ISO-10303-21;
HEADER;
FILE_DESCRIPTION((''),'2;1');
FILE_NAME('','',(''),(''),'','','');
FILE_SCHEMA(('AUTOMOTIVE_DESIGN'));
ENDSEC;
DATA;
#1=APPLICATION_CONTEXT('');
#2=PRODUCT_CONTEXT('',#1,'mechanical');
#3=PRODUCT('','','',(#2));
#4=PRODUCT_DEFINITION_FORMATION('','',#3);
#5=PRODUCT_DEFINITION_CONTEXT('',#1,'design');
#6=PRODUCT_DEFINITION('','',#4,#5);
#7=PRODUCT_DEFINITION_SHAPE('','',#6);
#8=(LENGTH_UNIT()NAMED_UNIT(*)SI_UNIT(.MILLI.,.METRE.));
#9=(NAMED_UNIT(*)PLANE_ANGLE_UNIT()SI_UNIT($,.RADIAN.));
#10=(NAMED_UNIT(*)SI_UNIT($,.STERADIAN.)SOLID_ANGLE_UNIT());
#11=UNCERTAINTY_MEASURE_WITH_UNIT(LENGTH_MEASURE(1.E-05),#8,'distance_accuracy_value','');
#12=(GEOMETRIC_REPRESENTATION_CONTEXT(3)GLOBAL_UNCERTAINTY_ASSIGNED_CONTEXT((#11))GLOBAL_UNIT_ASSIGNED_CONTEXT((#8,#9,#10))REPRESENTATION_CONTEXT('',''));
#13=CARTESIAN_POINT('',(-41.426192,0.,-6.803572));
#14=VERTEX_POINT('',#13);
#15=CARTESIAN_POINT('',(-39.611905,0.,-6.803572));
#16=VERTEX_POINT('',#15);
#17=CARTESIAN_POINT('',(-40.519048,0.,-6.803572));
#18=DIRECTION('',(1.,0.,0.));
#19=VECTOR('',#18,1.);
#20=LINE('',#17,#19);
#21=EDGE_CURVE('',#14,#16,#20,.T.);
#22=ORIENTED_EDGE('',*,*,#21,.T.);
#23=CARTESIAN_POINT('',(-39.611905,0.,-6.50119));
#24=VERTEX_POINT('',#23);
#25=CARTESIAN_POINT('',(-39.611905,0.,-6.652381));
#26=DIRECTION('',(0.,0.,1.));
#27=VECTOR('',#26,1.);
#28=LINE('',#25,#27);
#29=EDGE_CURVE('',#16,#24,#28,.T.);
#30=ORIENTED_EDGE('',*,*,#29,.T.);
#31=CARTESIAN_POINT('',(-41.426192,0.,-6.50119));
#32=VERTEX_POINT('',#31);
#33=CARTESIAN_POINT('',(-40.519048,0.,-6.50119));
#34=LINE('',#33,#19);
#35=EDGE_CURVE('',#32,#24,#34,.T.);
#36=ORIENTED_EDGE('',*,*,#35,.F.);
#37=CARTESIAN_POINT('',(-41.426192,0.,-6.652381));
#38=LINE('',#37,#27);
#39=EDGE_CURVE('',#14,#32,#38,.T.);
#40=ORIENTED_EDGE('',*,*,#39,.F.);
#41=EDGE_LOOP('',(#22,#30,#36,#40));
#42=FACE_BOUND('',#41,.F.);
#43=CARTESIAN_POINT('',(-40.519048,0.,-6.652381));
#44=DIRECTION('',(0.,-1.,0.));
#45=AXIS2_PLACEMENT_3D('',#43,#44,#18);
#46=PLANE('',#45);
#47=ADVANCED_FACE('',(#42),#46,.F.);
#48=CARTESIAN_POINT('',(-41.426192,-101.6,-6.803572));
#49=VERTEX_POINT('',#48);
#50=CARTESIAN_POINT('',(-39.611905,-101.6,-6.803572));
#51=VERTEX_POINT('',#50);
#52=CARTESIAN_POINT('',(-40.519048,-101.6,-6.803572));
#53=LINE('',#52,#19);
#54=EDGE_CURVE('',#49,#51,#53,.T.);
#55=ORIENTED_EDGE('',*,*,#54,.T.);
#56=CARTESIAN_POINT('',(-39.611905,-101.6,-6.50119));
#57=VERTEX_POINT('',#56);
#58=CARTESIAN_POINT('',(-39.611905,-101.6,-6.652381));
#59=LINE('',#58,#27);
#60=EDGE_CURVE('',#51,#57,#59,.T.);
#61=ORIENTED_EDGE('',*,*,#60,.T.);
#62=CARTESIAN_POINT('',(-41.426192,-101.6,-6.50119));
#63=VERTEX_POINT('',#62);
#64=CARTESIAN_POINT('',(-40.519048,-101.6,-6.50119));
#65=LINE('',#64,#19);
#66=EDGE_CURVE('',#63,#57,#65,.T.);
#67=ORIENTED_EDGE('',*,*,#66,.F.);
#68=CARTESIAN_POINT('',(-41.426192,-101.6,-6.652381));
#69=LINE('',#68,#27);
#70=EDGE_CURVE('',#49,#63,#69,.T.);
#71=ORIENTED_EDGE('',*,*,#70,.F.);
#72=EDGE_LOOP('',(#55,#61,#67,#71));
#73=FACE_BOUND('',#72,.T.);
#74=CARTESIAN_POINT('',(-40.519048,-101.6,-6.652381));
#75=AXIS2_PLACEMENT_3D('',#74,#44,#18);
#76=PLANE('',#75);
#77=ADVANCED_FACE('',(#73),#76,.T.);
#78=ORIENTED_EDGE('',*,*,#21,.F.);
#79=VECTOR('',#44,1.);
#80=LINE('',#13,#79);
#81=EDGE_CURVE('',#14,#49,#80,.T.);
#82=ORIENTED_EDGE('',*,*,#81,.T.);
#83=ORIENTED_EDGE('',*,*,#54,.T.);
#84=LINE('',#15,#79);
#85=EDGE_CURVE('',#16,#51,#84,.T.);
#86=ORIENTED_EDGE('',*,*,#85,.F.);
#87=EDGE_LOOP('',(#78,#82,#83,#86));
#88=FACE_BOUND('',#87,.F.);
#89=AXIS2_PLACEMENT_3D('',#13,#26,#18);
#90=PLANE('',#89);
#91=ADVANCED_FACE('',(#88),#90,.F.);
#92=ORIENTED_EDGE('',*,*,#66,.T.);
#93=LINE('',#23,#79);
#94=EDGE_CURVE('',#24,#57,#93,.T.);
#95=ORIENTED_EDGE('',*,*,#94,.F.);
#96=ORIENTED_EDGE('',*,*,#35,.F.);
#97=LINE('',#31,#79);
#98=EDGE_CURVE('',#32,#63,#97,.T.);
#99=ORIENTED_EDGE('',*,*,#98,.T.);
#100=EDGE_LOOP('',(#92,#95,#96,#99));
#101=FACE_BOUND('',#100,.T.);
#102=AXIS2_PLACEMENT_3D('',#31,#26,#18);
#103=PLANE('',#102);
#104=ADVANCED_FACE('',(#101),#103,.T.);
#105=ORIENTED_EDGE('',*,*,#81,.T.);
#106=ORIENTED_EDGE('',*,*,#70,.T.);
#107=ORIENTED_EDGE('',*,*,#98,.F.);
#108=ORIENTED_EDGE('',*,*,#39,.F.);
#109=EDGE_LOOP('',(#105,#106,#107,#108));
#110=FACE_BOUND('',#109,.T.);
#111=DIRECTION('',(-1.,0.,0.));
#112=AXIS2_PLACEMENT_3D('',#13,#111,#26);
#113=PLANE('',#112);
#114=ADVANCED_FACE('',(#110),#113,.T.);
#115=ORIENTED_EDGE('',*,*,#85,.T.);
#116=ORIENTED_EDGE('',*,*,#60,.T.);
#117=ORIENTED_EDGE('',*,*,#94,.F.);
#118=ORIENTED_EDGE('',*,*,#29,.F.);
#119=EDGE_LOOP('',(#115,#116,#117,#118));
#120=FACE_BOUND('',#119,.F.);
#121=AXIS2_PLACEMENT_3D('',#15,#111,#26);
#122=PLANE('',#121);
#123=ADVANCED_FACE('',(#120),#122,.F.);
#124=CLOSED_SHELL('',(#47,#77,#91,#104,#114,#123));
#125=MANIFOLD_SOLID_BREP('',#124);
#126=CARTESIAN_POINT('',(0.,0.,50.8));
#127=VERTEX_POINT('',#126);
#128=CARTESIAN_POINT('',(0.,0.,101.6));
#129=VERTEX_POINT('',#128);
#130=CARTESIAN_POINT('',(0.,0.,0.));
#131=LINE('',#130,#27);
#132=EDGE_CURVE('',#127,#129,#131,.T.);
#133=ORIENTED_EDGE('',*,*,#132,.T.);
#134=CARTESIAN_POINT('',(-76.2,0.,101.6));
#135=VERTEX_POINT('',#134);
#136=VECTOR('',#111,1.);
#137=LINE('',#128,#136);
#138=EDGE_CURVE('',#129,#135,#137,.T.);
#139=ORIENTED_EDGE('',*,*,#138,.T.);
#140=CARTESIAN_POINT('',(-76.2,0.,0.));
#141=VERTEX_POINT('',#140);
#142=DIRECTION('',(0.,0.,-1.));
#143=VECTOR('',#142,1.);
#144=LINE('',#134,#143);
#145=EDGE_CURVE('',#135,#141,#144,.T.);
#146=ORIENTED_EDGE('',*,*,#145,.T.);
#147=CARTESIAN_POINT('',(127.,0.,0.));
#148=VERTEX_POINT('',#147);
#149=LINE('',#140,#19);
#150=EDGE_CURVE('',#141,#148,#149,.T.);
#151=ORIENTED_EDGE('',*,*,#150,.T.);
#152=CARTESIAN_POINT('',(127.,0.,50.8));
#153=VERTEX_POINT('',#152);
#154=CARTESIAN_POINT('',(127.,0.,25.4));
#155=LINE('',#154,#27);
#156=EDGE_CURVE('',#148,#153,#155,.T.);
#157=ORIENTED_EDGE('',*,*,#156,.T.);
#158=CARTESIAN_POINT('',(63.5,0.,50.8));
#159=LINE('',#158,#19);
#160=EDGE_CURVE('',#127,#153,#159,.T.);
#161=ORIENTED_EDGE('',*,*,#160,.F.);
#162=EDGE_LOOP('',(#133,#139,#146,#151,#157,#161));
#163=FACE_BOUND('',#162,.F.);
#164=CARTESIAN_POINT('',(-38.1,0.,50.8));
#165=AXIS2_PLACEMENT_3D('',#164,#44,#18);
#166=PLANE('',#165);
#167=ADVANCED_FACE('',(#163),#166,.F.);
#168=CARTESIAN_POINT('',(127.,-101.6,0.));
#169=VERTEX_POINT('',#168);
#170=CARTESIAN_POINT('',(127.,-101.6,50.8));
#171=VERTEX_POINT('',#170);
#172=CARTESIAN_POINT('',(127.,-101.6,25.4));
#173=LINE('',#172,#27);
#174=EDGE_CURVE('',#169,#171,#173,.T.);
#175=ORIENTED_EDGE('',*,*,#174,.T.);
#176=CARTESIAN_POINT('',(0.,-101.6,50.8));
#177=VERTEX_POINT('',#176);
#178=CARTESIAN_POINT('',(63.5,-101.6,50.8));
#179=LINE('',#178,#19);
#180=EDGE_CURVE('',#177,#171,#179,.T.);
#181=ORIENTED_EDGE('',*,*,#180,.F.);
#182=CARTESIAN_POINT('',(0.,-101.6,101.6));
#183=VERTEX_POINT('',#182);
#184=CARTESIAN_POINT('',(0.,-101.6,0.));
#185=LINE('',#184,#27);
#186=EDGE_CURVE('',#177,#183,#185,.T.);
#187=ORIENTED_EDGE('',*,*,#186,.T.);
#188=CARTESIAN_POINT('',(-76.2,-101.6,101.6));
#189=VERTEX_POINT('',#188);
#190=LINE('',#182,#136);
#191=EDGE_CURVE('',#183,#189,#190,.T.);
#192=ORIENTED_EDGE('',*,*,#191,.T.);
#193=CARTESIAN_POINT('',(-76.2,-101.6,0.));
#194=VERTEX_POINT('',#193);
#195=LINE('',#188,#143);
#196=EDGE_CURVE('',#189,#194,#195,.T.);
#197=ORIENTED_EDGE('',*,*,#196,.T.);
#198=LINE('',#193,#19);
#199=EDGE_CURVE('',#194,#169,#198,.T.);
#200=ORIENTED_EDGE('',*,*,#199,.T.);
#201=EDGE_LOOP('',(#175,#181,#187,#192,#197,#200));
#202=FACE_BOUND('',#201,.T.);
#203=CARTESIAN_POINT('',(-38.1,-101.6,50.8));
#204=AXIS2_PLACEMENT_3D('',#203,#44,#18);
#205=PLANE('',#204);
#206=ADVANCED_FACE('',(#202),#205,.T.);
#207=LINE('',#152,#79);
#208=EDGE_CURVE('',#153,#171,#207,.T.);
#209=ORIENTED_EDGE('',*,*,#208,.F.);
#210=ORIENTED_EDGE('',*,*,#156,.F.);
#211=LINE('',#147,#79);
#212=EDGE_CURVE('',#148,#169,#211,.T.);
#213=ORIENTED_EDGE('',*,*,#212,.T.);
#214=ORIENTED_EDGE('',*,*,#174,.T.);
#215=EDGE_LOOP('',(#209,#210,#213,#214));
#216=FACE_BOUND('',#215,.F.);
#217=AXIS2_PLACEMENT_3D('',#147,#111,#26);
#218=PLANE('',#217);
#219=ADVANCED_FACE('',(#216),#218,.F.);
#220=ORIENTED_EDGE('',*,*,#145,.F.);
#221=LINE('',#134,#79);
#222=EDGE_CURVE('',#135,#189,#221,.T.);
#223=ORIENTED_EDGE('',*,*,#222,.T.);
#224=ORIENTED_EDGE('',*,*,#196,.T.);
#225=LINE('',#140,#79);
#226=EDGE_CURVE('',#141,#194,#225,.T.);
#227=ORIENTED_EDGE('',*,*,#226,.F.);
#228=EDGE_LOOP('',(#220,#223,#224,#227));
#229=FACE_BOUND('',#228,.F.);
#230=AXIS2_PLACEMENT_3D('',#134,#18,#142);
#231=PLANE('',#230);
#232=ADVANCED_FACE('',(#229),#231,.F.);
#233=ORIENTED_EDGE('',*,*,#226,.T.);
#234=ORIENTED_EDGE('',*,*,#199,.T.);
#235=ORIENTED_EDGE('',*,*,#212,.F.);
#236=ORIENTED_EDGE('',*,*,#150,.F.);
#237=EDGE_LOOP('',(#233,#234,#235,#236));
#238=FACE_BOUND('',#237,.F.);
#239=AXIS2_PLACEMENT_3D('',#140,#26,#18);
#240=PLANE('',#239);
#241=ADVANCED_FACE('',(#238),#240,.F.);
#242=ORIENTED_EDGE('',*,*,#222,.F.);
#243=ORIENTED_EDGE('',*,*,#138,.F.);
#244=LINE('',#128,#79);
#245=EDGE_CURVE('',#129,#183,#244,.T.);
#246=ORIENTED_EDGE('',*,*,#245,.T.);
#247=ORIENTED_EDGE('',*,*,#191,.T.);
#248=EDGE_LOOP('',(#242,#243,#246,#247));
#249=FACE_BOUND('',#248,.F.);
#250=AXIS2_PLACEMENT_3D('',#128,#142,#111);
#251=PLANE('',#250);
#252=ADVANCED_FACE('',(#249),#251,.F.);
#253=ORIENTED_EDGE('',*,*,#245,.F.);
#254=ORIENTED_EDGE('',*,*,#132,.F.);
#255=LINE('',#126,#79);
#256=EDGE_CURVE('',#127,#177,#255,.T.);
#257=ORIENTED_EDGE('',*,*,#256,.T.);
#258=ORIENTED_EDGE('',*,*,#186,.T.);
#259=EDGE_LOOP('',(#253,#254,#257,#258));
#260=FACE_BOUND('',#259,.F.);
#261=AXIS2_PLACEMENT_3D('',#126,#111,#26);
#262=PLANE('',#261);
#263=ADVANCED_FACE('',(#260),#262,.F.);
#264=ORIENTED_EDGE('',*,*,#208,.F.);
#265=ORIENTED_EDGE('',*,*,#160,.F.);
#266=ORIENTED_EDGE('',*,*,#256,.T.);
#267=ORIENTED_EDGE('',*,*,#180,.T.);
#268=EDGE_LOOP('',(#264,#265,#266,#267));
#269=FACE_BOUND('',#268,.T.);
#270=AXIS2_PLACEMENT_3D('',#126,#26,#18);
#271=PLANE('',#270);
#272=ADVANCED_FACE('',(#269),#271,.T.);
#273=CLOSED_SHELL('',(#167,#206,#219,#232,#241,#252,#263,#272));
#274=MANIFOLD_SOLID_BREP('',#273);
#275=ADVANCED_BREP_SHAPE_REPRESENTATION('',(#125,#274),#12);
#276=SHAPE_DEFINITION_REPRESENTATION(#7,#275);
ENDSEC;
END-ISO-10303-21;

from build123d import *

# Parameters (mm, degrees)
F0_W     = 127
F0_H     = 50.8
F0_W_2   = 1.814287
F0_H_2   = 0.302381
F1_DEPTH = 101.6


with BuildPart() as f1:
    # F0 (on Front) → F1 (new body)
    with BuildSketch(Plane.XZ):
        Polygon((-76.2, 0), (0, 0), (0, 50.8), (0, 101.6), (-76.2, 101.6), align=None)
        with Locations((63.5, 25.4)):
            Rectangle(F0_W, F0_H)
        with Locations((-40.519048, -6.652381)):
            Rectangle(F0_W_2, F0_H_2)
    extrude(amount=F1_DEPTH)


solid = f1.part
